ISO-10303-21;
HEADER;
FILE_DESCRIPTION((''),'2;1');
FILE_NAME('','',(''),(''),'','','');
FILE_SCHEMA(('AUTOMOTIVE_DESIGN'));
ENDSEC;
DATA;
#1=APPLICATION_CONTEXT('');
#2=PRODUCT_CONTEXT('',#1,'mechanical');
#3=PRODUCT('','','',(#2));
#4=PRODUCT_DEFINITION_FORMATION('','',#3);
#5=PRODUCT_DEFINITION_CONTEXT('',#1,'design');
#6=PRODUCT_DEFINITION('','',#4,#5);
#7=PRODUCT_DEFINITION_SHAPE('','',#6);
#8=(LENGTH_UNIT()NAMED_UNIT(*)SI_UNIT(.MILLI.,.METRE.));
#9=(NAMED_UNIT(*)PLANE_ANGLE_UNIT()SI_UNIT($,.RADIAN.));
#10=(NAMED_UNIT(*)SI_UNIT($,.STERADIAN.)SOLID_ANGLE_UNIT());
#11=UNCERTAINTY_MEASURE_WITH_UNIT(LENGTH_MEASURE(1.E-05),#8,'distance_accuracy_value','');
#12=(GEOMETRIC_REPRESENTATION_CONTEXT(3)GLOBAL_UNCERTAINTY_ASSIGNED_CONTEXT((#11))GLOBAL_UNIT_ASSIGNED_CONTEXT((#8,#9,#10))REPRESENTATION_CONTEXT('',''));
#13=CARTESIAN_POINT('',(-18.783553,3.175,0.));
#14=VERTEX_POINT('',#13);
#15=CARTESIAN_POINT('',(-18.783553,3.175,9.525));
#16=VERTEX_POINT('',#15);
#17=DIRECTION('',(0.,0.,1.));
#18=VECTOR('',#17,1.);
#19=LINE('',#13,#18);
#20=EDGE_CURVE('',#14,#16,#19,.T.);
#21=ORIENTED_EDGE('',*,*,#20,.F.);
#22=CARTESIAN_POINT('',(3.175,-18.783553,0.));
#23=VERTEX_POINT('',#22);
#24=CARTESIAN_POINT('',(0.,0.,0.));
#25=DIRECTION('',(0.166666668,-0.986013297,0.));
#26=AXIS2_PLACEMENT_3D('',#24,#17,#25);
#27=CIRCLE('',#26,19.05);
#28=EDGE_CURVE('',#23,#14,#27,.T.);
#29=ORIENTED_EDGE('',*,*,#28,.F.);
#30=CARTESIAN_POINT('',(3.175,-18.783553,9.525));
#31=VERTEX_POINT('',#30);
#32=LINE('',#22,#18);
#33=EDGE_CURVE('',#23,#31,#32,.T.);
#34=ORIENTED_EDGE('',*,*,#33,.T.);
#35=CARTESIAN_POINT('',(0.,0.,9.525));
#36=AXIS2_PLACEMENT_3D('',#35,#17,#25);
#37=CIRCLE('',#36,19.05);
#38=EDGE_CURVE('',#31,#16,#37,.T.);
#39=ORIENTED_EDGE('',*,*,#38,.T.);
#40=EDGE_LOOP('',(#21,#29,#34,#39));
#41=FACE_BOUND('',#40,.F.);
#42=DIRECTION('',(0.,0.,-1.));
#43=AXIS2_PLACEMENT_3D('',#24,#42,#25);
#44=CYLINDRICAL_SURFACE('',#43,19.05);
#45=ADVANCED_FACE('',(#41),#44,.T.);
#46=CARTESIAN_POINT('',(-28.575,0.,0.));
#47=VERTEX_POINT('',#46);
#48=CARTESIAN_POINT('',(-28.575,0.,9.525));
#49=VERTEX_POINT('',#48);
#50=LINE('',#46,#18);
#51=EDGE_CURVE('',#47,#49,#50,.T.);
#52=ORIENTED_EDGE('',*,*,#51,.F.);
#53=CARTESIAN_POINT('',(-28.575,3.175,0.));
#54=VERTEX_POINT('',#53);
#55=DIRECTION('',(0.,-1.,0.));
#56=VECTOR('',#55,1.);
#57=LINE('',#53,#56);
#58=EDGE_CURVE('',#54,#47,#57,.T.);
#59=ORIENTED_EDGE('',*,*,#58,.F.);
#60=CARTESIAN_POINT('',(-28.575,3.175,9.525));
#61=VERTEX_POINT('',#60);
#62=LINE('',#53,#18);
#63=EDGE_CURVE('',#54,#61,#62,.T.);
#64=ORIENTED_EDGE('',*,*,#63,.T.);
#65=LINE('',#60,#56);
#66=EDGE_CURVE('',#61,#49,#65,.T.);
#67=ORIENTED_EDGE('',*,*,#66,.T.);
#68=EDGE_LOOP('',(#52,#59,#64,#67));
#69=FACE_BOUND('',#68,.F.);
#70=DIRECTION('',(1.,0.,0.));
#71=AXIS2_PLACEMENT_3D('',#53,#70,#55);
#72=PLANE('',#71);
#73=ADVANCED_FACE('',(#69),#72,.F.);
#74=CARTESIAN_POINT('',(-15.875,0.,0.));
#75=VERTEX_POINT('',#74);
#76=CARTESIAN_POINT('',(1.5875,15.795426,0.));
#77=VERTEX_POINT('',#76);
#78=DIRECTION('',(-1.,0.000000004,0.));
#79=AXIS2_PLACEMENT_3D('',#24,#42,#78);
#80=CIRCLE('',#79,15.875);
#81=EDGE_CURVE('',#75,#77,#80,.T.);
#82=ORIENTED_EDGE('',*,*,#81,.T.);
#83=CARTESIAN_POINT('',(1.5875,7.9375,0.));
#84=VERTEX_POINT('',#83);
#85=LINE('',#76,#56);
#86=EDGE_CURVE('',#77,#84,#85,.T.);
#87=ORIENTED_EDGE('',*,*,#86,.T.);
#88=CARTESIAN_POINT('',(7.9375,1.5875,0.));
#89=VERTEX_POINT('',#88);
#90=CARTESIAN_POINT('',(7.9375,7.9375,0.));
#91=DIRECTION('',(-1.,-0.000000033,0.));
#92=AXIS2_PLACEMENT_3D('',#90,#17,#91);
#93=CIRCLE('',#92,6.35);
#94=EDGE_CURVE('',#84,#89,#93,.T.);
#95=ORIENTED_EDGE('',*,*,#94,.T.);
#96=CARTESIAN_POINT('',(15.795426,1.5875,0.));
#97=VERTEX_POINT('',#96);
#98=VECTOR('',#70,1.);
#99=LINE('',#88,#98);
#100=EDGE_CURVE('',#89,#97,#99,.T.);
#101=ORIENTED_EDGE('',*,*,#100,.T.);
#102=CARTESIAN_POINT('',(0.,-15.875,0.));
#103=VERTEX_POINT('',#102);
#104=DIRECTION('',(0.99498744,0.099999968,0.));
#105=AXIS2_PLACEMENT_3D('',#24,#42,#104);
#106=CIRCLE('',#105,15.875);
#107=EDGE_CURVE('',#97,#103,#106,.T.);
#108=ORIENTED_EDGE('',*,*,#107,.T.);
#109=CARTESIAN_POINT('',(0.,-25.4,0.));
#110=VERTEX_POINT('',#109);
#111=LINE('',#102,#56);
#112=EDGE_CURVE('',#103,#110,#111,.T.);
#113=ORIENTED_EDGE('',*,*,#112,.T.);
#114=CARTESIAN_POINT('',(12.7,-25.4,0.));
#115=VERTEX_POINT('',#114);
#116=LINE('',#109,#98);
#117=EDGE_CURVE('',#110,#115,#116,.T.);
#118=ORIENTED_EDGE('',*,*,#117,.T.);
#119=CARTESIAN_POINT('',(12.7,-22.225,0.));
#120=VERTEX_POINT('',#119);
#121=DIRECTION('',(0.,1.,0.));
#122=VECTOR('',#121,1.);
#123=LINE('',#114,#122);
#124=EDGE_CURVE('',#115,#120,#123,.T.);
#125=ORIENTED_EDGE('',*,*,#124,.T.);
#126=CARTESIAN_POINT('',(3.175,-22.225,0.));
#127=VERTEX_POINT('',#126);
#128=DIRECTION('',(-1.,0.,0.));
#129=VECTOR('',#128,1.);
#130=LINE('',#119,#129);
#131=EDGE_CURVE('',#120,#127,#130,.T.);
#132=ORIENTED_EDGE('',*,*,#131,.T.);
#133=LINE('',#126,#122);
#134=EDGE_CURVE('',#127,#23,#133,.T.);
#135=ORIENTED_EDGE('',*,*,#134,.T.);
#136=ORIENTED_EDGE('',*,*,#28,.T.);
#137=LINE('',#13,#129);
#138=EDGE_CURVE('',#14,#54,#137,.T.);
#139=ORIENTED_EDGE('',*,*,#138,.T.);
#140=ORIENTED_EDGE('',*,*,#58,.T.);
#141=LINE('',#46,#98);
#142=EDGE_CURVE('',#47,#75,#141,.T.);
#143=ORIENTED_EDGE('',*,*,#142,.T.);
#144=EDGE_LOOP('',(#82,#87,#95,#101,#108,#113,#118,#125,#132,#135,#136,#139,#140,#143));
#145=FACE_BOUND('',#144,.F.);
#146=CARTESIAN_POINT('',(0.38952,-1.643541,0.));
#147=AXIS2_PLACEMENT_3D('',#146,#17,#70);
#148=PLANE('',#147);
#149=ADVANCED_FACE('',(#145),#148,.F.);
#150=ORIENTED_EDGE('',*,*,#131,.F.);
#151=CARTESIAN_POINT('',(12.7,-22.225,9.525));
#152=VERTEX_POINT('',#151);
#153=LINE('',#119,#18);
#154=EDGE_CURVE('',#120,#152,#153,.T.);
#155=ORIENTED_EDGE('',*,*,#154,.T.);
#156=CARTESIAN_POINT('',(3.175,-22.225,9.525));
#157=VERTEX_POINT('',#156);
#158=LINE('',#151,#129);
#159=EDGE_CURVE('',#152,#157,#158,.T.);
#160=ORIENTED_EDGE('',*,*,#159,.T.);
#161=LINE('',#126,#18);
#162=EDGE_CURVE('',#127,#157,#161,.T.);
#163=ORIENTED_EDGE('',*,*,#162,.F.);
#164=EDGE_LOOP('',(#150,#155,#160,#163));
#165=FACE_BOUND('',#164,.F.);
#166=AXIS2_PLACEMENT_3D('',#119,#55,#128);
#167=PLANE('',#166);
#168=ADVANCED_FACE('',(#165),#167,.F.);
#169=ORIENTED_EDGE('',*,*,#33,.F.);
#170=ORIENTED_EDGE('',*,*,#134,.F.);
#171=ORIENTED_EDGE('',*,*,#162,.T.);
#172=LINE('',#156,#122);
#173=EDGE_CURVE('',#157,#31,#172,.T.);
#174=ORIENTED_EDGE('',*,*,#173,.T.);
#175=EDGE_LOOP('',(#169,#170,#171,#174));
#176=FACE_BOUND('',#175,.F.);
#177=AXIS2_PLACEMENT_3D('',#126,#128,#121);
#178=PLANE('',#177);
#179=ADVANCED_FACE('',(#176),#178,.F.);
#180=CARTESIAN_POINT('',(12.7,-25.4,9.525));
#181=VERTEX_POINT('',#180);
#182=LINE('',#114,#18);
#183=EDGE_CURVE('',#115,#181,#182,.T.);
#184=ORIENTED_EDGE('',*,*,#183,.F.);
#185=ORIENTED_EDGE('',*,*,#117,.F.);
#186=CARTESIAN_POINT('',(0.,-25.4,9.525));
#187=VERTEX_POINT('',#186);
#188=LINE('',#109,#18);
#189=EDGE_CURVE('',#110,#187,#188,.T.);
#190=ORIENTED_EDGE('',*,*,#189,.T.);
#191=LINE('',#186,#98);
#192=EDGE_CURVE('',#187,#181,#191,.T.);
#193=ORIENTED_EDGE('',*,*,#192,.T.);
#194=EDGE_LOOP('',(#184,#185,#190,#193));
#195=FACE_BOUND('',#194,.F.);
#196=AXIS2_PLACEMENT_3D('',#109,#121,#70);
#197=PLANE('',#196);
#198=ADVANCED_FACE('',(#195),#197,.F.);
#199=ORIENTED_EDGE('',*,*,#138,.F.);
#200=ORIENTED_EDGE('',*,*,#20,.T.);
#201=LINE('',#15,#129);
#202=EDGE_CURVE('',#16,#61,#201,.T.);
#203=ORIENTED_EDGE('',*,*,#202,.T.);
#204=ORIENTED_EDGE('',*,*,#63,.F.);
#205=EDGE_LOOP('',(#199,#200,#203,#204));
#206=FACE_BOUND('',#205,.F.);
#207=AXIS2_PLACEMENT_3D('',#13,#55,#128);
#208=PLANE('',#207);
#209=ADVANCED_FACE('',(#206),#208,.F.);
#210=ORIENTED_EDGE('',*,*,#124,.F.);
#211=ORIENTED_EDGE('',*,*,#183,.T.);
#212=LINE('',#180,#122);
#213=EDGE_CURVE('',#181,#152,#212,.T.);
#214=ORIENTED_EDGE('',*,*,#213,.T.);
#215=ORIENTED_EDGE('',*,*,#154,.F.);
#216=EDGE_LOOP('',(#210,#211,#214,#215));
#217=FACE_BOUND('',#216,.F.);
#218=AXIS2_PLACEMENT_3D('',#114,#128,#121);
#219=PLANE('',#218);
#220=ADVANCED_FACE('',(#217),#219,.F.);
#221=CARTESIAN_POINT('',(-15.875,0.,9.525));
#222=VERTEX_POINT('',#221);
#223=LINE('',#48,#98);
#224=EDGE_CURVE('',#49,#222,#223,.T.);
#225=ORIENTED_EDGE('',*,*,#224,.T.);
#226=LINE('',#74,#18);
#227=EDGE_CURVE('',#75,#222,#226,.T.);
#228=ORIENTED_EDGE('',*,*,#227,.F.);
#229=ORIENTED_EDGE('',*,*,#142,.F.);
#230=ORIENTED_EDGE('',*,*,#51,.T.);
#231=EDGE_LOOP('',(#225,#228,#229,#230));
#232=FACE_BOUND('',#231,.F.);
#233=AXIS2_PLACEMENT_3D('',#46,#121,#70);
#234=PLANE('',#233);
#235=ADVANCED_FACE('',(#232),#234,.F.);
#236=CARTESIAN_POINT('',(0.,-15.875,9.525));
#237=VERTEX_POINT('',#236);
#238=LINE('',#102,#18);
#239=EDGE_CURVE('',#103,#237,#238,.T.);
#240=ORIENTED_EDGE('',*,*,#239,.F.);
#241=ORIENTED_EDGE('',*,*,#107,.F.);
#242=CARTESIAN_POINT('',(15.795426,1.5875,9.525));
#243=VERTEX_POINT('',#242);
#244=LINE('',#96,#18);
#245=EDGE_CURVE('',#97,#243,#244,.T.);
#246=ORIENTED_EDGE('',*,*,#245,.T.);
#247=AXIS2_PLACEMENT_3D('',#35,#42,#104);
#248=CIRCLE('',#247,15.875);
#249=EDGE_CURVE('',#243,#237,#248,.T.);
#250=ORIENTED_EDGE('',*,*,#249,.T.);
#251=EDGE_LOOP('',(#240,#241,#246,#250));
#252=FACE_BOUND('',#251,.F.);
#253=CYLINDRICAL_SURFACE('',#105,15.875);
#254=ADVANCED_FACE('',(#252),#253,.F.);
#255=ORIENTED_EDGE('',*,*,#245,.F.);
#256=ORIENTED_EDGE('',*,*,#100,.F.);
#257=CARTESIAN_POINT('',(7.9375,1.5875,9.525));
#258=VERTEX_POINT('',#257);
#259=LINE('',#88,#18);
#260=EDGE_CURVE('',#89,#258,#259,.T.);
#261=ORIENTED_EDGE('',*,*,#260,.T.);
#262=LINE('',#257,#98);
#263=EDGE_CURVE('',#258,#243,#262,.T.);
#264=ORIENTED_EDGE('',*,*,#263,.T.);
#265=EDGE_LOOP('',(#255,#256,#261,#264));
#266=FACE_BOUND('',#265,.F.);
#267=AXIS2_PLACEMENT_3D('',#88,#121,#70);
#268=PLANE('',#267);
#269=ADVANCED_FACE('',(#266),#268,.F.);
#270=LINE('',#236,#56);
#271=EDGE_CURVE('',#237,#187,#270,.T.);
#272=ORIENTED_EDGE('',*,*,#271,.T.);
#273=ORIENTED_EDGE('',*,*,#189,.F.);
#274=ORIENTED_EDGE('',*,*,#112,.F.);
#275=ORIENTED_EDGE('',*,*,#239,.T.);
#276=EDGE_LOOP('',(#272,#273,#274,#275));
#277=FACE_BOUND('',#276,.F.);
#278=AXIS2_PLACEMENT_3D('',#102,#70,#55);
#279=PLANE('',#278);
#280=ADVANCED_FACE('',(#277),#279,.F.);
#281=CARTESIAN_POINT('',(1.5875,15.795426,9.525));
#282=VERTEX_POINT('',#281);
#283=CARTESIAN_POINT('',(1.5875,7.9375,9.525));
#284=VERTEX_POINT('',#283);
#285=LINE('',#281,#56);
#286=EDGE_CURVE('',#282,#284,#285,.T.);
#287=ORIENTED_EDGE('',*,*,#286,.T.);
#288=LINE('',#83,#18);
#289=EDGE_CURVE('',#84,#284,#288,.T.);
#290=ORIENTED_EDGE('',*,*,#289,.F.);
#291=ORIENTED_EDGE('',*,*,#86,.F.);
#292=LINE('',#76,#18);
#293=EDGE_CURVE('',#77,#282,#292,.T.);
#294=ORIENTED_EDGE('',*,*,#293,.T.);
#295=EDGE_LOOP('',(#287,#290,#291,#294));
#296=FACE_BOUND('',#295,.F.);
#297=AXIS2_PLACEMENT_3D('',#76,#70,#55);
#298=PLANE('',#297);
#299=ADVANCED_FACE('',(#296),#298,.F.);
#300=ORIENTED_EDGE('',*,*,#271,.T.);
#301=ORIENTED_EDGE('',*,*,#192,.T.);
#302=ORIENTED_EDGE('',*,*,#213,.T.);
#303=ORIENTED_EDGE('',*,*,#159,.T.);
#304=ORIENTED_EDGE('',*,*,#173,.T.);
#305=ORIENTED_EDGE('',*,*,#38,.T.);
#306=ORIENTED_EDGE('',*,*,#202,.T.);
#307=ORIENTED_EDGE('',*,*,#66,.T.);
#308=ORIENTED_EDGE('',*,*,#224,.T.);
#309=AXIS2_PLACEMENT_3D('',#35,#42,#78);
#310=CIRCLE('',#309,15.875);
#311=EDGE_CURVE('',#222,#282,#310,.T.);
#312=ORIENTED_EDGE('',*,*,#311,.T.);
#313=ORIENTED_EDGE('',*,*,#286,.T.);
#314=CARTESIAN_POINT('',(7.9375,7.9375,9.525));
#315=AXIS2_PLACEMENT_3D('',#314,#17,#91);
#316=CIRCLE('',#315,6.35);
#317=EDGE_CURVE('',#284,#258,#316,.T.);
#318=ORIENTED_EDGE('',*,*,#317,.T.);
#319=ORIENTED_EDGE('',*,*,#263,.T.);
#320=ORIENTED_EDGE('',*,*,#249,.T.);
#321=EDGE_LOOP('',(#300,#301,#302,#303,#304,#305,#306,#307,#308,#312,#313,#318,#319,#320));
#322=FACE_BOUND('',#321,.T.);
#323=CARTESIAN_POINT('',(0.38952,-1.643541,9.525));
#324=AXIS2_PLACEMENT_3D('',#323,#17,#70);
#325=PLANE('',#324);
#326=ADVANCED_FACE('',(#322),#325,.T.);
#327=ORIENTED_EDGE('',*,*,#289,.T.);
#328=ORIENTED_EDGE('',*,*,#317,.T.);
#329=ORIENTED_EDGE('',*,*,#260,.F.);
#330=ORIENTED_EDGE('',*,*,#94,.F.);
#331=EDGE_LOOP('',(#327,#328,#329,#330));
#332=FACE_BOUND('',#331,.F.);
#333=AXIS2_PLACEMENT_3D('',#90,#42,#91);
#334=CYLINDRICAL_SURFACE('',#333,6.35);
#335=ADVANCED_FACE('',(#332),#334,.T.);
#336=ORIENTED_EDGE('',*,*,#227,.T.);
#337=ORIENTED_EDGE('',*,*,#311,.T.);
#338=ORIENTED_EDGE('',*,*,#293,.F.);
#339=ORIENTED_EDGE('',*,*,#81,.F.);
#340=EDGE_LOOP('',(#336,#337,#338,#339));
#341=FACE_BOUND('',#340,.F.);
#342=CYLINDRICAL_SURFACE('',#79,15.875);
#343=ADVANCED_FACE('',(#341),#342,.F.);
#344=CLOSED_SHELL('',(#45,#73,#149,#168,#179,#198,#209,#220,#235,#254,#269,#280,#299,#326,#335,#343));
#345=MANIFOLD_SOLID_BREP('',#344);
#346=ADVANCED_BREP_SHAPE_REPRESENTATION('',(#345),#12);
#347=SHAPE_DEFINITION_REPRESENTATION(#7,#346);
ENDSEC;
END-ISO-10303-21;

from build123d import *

# Parameters (mm, degrees)
F1_DEPTH = 9.525


with BuildPart() as f1:
    # F0 (on Top) → F1 (new body)
    with BuildSketch(Plane.XY):
        with BuildLine():
            ThreePointArc((15.795426, 1.5875), (11.773215, -10.649274), (0, -15.875))
            Line((0, -15.875), (0, -25.4))
            Line((0, -25.4), (12.7, -25.4))
            Line((12.7, -25.4), (12.7, -22.225))
            Line((12.7, -22.225), (3.175, -22.225))
            Line((3.175, -22.225), (3.175, -18.783553))
            ThreePointArc((3.175, -18.783553), (13.470384, 13.470384), (-18.783553, 3.175))
            Line((-18.783553, 3.175), (-28.575, 3.175))
            Line((-28.575, 3.175), (-28.575, 0))
            Line((-28.575, 0), (-15.875, 0))
            ThreePointArc((-15.875, 0), (-10.649274, 11.773215), (1.5875, 15.795426))
            Line((1.5875, 15.795426), (1.5875, 7.9375))
            ThreePointArc((1.5875, 7.9375), (3.447372, 3.447372), (7.9375, 1.5875))
            Line((7.9375, 1.5875), (15.795426, 1.5875))
        make_face()
    extrude(amount=F1_DEPTH)


solid = f1.part
